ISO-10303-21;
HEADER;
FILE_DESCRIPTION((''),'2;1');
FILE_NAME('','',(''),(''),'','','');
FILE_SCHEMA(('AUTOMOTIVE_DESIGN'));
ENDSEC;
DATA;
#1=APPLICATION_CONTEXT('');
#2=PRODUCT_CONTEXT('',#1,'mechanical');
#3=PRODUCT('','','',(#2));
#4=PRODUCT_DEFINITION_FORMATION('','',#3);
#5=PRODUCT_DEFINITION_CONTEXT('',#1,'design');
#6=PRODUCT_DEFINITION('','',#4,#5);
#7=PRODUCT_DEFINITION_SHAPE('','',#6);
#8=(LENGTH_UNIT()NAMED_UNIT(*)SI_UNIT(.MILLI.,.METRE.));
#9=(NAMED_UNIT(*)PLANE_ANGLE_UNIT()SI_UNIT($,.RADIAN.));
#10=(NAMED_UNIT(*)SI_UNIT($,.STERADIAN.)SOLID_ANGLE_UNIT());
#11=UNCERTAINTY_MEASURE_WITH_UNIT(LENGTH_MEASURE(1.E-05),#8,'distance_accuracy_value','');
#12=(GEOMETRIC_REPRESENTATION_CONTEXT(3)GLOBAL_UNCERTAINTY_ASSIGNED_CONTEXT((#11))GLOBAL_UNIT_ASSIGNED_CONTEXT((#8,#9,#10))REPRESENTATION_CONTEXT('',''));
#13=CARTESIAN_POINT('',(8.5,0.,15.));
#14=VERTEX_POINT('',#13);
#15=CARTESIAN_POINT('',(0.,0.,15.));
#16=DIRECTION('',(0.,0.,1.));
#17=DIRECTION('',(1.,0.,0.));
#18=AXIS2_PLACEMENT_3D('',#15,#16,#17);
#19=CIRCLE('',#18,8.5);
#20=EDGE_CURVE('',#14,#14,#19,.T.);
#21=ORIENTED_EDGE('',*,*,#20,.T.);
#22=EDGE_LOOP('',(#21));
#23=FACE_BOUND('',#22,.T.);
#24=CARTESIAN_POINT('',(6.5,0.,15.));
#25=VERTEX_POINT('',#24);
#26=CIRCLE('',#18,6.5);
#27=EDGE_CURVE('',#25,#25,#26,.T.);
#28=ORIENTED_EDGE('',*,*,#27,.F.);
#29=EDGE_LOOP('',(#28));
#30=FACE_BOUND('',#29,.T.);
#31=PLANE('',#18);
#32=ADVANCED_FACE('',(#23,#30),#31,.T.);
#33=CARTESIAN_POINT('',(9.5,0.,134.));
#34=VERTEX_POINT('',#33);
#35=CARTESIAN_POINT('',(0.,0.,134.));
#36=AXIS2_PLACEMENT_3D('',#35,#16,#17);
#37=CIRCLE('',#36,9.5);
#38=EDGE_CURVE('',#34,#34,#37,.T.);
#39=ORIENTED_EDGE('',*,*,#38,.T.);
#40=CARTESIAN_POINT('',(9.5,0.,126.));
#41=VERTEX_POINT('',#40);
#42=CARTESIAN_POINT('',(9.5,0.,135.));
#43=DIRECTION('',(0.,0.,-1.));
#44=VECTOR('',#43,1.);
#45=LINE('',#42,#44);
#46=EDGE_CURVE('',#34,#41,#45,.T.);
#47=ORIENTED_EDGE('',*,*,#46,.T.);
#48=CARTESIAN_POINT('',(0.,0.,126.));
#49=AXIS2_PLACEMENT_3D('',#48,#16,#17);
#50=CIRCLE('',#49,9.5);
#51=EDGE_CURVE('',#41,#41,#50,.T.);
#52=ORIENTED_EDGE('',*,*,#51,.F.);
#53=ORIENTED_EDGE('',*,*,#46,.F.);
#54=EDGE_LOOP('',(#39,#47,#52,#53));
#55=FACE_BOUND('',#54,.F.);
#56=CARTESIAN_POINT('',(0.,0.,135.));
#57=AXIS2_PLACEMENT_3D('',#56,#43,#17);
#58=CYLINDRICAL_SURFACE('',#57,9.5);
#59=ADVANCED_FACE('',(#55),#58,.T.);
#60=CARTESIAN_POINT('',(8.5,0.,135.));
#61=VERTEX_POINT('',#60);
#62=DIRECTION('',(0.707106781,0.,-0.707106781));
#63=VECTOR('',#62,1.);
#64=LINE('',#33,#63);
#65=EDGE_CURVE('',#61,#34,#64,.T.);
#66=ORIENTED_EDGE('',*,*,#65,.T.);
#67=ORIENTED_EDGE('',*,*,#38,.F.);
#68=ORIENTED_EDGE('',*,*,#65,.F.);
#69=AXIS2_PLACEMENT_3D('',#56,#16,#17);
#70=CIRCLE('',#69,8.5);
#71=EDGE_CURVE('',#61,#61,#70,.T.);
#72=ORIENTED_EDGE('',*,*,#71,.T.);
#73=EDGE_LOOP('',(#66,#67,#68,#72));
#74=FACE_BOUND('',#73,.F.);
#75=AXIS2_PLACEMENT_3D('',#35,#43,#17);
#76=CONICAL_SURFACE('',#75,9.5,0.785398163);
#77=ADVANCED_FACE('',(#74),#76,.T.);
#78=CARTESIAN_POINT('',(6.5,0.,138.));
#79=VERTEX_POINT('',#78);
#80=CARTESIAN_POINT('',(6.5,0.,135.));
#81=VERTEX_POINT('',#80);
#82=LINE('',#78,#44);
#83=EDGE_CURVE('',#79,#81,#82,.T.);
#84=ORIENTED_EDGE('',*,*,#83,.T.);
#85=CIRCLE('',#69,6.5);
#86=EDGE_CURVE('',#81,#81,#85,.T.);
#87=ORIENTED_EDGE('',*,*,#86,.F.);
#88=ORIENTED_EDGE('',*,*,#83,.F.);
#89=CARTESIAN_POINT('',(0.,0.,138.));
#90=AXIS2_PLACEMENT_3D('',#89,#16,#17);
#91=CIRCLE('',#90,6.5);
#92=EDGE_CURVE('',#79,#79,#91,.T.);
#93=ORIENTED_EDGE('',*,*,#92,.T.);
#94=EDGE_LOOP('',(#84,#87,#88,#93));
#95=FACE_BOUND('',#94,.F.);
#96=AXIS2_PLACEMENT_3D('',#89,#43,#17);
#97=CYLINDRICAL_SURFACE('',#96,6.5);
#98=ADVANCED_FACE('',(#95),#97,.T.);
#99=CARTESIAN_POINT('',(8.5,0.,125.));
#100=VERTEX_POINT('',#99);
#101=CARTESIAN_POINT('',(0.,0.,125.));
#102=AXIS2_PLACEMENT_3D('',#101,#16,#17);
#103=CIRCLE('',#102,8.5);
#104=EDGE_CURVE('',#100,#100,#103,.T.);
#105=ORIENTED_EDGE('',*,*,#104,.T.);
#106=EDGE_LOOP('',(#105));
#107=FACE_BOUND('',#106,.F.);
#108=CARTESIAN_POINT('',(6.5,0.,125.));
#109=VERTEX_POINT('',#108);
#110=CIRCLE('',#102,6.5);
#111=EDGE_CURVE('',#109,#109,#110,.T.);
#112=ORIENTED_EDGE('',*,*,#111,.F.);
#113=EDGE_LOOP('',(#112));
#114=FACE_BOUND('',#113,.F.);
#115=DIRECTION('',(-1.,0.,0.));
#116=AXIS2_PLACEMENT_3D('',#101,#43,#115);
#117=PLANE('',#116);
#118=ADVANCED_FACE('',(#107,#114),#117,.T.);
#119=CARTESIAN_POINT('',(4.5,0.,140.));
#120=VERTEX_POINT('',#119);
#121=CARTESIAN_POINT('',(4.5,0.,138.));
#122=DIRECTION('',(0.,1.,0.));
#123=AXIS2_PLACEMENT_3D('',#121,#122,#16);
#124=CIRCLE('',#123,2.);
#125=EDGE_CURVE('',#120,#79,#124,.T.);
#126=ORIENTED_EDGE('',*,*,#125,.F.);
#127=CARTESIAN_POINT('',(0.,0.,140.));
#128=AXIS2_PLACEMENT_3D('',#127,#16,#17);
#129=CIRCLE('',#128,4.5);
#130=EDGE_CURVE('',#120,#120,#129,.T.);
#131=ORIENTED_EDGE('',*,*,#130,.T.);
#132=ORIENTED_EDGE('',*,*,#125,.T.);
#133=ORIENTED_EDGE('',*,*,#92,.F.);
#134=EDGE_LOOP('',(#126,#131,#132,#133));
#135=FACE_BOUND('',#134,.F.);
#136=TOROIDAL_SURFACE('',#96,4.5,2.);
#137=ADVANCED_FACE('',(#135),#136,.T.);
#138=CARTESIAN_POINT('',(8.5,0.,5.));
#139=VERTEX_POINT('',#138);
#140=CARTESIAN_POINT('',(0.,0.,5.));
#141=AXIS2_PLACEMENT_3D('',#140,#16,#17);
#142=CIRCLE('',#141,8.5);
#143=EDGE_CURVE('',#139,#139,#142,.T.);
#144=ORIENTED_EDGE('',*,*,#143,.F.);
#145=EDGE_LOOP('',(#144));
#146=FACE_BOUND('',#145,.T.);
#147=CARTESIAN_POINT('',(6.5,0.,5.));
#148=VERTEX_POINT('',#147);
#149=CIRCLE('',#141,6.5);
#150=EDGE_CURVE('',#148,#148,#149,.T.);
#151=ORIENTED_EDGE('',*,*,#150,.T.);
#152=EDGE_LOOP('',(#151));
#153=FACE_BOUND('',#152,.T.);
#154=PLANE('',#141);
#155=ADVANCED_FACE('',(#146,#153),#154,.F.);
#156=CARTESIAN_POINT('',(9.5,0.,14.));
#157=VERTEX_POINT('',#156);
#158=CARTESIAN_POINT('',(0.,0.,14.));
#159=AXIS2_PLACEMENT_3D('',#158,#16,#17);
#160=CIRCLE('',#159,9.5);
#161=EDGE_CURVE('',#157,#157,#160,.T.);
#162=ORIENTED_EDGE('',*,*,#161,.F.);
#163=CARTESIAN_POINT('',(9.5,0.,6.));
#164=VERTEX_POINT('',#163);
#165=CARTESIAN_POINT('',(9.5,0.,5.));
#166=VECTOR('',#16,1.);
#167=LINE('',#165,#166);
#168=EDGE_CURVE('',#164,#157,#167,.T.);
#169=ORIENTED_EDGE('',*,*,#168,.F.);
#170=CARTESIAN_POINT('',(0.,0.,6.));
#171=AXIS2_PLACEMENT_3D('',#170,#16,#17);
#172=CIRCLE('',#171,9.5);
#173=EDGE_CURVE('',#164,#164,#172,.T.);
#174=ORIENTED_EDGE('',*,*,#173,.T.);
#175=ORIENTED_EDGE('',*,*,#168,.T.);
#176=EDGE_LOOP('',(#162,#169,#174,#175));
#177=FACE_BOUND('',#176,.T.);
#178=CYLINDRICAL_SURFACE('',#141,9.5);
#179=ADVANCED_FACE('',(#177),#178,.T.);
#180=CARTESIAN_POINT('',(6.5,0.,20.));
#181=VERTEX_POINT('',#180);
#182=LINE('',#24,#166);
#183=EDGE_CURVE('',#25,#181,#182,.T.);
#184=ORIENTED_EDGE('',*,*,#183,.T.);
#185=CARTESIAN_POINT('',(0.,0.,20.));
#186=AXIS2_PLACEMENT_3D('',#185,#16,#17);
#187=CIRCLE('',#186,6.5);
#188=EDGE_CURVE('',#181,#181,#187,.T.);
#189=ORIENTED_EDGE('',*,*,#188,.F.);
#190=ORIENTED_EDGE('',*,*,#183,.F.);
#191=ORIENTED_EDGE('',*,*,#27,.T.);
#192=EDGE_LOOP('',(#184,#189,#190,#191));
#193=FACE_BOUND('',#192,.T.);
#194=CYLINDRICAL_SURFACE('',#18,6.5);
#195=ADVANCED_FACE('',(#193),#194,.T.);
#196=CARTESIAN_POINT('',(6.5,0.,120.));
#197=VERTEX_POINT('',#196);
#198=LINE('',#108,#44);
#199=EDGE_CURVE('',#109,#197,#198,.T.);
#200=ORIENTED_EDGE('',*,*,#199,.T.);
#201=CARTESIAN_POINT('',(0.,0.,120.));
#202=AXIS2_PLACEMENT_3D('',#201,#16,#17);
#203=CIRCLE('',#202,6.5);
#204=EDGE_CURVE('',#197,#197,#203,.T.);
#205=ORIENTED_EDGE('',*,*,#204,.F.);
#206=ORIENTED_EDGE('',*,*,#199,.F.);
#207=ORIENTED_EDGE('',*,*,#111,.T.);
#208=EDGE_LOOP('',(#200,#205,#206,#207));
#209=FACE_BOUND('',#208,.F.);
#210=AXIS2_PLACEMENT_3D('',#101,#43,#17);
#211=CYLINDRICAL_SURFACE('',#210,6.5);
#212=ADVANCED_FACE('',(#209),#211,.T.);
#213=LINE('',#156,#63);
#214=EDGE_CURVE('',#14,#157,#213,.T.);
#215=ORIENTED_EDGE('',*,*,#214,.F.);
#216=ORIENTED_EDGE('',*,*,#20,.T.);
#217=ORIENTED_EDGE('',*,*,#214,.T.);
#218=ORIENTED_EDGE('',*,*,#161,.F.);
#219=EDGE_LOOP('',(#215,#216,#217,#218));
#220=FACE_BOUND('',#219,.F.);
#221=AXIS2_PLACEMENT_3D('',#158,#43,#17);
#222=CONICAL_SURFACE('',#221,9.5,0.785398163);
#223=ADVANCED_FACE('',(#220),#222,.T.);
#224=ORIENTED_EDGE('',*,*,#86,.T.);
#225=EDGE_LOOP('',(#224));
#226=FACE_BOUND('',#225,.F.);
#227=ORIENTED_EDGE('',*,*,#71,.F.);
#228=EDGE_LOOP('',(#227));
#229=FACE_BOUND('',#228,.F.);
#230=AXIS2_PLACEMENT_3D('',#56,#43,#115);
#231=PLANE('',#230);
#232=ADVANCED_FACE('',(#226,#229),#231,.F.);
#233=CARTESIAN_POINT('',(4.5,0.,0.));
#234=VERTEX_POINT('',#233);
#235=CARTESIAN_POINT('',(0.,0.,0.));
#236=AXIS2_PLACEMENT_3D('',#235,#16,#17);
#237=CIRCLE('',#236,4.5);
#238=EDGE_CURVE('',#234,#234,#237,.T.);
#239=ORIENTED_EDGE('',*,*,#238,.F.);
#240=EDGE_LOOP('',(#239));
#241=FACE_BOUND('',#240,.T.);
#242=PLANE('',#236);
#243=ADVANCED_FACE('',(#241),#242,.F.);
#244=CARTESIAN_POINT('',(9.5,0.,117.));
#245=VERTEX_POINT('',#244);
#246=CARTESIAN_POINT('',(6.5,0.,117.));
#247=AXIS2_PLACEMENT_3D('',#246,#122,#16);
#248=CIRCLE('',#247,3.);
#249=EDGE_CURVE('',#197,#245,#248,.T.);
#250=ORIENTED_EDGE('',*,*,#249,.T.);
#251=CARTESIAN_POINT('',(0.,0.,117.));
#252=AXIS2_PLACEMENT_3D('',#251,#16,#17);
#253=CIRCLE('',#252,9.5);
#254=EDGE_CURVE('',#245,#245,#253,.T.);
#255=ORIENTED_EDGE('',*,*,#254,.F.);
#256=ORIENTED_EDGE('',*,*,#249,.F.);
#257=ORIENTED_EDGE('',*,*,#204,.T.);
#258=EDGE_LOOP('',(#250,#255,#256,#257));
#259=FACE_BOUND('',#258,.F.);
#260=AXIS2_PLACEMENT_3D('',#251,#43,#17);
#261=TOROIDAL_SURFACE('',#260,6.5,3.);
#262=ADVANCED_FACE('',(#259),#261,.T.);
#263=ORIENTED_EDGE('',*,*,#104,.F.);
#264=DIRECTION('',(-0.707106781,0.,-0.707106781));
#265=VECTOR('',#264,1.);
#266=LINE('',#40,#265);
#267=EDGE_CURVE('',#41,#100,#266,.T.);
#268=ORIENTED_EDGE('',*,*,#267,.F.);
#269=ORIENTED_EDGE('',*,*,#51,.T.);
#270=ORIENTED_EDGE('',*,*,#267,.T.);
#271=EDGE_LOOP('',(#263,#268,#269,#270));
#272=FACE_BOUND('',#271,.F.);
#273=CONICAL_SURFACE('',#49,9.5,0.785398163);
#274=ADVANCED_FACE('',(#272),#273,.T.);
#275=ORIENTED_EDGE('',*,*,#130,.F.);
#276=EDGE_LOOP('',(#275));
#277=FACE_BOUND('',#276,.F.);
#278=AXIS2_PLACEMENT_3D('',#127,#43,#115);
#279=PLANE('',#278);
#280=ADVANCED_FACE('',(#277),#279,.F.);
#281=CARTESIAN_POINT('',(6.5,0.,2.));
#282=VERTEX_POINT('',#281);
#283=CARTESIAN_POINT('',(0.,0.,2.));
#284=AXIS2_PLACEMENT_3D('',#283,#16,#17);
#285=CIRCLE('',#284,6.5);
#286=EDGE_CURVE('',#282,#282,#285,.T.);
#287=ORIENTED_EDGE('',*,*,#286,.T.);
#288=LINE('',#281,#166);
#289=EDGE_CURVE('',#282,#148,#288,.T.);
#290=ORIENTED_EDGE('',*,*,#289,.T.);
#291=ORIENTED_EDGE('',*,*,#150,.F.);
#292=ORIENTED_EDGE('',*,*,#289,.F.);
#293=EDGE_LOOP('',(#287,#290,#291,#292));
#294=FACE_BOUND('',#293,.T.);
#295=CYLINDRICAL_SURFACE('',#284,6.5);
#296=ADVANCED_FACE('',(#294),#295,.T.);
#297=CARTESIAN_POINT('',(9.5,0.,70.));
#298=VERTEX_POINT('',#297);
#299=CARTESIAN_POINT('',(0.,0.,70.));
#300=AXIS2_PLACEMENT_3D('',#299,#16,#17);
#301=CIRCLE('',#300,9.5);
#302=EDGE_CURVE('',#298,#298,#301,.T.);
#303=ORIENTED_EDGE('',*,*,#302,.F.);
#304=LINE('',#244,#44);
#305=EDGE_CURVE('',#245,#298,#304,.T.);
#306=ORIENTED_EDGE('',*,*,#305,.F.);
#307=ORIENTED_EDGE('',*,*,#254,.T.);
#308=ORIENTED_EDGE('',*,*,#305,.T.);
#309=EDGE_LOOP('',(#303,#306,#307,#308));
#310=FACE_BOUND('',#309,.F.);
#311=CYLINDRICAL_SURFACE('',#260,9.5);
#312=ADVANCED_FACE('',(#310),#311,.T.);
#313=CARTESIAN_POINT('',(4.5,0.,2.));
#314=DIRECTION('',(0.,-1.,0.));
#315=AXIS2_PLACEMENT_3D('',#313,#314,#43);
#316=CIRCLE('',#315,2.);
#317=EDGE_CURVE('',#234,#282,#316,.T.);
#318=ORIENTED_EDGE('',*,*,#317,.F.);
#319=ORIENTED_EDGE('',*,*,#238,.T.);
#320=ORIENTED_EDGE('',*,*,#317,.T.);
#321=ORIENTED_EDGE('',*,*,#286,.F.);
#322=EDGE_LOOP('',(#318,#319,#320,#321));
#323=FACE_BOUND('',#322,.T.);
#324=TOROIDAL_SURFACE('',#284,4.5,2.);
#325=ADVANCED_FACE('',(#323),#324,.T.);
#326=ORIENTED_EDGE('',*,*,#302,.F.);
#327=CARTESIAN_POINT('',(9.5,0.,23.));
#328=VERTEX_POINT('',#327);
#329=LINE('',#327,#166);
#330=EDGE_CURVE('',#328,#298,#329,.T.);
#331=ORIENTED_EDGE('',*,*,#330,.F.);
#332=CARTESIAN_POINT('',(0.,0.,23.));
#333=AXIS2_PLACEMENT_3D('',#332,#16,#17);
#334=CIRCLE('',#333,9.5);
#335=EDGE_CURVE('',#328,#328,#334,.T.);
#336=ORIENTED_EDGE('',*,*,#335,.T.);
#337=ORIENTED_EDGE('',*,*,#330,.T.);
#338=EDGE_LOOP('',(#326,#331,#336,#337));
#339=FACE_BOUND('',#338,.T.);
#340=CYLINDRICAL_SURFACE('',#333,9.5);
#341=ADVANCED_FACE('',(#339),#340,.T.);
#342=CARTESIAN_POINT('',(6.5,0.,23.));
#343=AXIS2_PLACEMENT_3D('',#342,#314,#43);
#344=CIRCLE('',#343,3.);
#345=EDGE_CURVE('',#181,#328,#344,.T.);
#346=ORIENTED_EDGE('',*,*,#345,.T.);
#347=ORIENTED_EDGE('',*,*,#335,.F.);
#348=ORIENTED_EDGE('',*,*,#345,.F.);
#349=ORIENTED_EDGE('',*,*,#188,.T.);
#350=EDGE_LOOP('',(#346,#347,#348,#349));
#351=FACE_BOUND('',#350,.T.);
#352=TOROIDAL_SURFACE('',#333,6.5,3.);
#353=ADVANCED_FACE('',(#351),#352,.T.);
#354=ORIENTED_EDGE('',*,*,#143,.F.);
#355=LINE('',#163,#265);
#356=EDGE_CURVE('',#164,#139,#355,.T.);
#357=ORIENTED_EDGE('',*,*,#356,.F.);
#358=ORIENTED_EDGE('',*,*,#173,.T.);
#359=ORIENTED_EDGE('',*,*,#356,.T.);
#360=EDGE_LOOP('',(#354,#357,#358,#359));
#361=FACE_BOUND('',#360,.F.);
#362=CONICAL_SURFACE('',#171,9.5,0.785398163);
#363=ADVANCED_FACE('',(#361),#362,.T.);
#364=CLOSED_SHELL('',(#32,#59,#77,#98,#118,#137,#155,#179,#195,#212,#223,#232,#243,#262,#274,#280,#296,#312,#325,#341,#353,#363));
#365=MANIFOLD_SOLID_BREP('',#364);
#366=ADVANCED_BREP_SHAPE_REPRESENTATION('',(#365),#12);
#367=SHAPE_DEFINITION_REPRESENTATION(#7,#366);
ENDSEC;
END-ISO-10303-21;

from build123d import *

# Parameters (mm, degrees)
F4_SIZE = 1


with BuildPart() as f1:
    # F0 (on Front) → F1 (revolve)
    with BuildSketch(Plane.XZ):
        with BuildLine():
            Line((0, 70), (0, 0))
            Line((0, 0), (4.5, 0))
            ThreePointArc((4.5, 0), (5.9142135624, 0.5857864376), (6.5, 2))
            Line((6.5, 2), (6.5, 5))
            Line((6.5, 5), (9.5, 5))
            Line((9.5, 5), (9.5, 15))
            Line((9.5, 15), (6.5, 15))
            Line((6.5, 15), (6.5, 20))
            ThreePointArc((6.5, 20), (8.6213203436, 20.8786796564), (9.5, 23))
            Line((9.5, 23), (9.5, 70))
            Line((9.5, 70), (0, 70))
        make_face()
    revolve(axis=Axis((0, 0, 35), (0, 0, 1)))

    # F3: F1 across plane


with BuildPart() as f1_1:
    add(f1.part)
    add(f1.part.mirror(Plane.XY.offset(70)))

    # F4
    f4_edges = [f1_1.edges().sort_by_distance(p)[0] for p in [
        (-9.5, 0, 135),
        (-9.5, 0, 125),
        (9.5, 0, 130),
        (-9.5, 0, 5),
        (-9.5, 0, 15),
        (9.5, 0, 10),
    ]]
    chamfer(f4_edges, length=F4_SIZE)


solid = f1_1.part
